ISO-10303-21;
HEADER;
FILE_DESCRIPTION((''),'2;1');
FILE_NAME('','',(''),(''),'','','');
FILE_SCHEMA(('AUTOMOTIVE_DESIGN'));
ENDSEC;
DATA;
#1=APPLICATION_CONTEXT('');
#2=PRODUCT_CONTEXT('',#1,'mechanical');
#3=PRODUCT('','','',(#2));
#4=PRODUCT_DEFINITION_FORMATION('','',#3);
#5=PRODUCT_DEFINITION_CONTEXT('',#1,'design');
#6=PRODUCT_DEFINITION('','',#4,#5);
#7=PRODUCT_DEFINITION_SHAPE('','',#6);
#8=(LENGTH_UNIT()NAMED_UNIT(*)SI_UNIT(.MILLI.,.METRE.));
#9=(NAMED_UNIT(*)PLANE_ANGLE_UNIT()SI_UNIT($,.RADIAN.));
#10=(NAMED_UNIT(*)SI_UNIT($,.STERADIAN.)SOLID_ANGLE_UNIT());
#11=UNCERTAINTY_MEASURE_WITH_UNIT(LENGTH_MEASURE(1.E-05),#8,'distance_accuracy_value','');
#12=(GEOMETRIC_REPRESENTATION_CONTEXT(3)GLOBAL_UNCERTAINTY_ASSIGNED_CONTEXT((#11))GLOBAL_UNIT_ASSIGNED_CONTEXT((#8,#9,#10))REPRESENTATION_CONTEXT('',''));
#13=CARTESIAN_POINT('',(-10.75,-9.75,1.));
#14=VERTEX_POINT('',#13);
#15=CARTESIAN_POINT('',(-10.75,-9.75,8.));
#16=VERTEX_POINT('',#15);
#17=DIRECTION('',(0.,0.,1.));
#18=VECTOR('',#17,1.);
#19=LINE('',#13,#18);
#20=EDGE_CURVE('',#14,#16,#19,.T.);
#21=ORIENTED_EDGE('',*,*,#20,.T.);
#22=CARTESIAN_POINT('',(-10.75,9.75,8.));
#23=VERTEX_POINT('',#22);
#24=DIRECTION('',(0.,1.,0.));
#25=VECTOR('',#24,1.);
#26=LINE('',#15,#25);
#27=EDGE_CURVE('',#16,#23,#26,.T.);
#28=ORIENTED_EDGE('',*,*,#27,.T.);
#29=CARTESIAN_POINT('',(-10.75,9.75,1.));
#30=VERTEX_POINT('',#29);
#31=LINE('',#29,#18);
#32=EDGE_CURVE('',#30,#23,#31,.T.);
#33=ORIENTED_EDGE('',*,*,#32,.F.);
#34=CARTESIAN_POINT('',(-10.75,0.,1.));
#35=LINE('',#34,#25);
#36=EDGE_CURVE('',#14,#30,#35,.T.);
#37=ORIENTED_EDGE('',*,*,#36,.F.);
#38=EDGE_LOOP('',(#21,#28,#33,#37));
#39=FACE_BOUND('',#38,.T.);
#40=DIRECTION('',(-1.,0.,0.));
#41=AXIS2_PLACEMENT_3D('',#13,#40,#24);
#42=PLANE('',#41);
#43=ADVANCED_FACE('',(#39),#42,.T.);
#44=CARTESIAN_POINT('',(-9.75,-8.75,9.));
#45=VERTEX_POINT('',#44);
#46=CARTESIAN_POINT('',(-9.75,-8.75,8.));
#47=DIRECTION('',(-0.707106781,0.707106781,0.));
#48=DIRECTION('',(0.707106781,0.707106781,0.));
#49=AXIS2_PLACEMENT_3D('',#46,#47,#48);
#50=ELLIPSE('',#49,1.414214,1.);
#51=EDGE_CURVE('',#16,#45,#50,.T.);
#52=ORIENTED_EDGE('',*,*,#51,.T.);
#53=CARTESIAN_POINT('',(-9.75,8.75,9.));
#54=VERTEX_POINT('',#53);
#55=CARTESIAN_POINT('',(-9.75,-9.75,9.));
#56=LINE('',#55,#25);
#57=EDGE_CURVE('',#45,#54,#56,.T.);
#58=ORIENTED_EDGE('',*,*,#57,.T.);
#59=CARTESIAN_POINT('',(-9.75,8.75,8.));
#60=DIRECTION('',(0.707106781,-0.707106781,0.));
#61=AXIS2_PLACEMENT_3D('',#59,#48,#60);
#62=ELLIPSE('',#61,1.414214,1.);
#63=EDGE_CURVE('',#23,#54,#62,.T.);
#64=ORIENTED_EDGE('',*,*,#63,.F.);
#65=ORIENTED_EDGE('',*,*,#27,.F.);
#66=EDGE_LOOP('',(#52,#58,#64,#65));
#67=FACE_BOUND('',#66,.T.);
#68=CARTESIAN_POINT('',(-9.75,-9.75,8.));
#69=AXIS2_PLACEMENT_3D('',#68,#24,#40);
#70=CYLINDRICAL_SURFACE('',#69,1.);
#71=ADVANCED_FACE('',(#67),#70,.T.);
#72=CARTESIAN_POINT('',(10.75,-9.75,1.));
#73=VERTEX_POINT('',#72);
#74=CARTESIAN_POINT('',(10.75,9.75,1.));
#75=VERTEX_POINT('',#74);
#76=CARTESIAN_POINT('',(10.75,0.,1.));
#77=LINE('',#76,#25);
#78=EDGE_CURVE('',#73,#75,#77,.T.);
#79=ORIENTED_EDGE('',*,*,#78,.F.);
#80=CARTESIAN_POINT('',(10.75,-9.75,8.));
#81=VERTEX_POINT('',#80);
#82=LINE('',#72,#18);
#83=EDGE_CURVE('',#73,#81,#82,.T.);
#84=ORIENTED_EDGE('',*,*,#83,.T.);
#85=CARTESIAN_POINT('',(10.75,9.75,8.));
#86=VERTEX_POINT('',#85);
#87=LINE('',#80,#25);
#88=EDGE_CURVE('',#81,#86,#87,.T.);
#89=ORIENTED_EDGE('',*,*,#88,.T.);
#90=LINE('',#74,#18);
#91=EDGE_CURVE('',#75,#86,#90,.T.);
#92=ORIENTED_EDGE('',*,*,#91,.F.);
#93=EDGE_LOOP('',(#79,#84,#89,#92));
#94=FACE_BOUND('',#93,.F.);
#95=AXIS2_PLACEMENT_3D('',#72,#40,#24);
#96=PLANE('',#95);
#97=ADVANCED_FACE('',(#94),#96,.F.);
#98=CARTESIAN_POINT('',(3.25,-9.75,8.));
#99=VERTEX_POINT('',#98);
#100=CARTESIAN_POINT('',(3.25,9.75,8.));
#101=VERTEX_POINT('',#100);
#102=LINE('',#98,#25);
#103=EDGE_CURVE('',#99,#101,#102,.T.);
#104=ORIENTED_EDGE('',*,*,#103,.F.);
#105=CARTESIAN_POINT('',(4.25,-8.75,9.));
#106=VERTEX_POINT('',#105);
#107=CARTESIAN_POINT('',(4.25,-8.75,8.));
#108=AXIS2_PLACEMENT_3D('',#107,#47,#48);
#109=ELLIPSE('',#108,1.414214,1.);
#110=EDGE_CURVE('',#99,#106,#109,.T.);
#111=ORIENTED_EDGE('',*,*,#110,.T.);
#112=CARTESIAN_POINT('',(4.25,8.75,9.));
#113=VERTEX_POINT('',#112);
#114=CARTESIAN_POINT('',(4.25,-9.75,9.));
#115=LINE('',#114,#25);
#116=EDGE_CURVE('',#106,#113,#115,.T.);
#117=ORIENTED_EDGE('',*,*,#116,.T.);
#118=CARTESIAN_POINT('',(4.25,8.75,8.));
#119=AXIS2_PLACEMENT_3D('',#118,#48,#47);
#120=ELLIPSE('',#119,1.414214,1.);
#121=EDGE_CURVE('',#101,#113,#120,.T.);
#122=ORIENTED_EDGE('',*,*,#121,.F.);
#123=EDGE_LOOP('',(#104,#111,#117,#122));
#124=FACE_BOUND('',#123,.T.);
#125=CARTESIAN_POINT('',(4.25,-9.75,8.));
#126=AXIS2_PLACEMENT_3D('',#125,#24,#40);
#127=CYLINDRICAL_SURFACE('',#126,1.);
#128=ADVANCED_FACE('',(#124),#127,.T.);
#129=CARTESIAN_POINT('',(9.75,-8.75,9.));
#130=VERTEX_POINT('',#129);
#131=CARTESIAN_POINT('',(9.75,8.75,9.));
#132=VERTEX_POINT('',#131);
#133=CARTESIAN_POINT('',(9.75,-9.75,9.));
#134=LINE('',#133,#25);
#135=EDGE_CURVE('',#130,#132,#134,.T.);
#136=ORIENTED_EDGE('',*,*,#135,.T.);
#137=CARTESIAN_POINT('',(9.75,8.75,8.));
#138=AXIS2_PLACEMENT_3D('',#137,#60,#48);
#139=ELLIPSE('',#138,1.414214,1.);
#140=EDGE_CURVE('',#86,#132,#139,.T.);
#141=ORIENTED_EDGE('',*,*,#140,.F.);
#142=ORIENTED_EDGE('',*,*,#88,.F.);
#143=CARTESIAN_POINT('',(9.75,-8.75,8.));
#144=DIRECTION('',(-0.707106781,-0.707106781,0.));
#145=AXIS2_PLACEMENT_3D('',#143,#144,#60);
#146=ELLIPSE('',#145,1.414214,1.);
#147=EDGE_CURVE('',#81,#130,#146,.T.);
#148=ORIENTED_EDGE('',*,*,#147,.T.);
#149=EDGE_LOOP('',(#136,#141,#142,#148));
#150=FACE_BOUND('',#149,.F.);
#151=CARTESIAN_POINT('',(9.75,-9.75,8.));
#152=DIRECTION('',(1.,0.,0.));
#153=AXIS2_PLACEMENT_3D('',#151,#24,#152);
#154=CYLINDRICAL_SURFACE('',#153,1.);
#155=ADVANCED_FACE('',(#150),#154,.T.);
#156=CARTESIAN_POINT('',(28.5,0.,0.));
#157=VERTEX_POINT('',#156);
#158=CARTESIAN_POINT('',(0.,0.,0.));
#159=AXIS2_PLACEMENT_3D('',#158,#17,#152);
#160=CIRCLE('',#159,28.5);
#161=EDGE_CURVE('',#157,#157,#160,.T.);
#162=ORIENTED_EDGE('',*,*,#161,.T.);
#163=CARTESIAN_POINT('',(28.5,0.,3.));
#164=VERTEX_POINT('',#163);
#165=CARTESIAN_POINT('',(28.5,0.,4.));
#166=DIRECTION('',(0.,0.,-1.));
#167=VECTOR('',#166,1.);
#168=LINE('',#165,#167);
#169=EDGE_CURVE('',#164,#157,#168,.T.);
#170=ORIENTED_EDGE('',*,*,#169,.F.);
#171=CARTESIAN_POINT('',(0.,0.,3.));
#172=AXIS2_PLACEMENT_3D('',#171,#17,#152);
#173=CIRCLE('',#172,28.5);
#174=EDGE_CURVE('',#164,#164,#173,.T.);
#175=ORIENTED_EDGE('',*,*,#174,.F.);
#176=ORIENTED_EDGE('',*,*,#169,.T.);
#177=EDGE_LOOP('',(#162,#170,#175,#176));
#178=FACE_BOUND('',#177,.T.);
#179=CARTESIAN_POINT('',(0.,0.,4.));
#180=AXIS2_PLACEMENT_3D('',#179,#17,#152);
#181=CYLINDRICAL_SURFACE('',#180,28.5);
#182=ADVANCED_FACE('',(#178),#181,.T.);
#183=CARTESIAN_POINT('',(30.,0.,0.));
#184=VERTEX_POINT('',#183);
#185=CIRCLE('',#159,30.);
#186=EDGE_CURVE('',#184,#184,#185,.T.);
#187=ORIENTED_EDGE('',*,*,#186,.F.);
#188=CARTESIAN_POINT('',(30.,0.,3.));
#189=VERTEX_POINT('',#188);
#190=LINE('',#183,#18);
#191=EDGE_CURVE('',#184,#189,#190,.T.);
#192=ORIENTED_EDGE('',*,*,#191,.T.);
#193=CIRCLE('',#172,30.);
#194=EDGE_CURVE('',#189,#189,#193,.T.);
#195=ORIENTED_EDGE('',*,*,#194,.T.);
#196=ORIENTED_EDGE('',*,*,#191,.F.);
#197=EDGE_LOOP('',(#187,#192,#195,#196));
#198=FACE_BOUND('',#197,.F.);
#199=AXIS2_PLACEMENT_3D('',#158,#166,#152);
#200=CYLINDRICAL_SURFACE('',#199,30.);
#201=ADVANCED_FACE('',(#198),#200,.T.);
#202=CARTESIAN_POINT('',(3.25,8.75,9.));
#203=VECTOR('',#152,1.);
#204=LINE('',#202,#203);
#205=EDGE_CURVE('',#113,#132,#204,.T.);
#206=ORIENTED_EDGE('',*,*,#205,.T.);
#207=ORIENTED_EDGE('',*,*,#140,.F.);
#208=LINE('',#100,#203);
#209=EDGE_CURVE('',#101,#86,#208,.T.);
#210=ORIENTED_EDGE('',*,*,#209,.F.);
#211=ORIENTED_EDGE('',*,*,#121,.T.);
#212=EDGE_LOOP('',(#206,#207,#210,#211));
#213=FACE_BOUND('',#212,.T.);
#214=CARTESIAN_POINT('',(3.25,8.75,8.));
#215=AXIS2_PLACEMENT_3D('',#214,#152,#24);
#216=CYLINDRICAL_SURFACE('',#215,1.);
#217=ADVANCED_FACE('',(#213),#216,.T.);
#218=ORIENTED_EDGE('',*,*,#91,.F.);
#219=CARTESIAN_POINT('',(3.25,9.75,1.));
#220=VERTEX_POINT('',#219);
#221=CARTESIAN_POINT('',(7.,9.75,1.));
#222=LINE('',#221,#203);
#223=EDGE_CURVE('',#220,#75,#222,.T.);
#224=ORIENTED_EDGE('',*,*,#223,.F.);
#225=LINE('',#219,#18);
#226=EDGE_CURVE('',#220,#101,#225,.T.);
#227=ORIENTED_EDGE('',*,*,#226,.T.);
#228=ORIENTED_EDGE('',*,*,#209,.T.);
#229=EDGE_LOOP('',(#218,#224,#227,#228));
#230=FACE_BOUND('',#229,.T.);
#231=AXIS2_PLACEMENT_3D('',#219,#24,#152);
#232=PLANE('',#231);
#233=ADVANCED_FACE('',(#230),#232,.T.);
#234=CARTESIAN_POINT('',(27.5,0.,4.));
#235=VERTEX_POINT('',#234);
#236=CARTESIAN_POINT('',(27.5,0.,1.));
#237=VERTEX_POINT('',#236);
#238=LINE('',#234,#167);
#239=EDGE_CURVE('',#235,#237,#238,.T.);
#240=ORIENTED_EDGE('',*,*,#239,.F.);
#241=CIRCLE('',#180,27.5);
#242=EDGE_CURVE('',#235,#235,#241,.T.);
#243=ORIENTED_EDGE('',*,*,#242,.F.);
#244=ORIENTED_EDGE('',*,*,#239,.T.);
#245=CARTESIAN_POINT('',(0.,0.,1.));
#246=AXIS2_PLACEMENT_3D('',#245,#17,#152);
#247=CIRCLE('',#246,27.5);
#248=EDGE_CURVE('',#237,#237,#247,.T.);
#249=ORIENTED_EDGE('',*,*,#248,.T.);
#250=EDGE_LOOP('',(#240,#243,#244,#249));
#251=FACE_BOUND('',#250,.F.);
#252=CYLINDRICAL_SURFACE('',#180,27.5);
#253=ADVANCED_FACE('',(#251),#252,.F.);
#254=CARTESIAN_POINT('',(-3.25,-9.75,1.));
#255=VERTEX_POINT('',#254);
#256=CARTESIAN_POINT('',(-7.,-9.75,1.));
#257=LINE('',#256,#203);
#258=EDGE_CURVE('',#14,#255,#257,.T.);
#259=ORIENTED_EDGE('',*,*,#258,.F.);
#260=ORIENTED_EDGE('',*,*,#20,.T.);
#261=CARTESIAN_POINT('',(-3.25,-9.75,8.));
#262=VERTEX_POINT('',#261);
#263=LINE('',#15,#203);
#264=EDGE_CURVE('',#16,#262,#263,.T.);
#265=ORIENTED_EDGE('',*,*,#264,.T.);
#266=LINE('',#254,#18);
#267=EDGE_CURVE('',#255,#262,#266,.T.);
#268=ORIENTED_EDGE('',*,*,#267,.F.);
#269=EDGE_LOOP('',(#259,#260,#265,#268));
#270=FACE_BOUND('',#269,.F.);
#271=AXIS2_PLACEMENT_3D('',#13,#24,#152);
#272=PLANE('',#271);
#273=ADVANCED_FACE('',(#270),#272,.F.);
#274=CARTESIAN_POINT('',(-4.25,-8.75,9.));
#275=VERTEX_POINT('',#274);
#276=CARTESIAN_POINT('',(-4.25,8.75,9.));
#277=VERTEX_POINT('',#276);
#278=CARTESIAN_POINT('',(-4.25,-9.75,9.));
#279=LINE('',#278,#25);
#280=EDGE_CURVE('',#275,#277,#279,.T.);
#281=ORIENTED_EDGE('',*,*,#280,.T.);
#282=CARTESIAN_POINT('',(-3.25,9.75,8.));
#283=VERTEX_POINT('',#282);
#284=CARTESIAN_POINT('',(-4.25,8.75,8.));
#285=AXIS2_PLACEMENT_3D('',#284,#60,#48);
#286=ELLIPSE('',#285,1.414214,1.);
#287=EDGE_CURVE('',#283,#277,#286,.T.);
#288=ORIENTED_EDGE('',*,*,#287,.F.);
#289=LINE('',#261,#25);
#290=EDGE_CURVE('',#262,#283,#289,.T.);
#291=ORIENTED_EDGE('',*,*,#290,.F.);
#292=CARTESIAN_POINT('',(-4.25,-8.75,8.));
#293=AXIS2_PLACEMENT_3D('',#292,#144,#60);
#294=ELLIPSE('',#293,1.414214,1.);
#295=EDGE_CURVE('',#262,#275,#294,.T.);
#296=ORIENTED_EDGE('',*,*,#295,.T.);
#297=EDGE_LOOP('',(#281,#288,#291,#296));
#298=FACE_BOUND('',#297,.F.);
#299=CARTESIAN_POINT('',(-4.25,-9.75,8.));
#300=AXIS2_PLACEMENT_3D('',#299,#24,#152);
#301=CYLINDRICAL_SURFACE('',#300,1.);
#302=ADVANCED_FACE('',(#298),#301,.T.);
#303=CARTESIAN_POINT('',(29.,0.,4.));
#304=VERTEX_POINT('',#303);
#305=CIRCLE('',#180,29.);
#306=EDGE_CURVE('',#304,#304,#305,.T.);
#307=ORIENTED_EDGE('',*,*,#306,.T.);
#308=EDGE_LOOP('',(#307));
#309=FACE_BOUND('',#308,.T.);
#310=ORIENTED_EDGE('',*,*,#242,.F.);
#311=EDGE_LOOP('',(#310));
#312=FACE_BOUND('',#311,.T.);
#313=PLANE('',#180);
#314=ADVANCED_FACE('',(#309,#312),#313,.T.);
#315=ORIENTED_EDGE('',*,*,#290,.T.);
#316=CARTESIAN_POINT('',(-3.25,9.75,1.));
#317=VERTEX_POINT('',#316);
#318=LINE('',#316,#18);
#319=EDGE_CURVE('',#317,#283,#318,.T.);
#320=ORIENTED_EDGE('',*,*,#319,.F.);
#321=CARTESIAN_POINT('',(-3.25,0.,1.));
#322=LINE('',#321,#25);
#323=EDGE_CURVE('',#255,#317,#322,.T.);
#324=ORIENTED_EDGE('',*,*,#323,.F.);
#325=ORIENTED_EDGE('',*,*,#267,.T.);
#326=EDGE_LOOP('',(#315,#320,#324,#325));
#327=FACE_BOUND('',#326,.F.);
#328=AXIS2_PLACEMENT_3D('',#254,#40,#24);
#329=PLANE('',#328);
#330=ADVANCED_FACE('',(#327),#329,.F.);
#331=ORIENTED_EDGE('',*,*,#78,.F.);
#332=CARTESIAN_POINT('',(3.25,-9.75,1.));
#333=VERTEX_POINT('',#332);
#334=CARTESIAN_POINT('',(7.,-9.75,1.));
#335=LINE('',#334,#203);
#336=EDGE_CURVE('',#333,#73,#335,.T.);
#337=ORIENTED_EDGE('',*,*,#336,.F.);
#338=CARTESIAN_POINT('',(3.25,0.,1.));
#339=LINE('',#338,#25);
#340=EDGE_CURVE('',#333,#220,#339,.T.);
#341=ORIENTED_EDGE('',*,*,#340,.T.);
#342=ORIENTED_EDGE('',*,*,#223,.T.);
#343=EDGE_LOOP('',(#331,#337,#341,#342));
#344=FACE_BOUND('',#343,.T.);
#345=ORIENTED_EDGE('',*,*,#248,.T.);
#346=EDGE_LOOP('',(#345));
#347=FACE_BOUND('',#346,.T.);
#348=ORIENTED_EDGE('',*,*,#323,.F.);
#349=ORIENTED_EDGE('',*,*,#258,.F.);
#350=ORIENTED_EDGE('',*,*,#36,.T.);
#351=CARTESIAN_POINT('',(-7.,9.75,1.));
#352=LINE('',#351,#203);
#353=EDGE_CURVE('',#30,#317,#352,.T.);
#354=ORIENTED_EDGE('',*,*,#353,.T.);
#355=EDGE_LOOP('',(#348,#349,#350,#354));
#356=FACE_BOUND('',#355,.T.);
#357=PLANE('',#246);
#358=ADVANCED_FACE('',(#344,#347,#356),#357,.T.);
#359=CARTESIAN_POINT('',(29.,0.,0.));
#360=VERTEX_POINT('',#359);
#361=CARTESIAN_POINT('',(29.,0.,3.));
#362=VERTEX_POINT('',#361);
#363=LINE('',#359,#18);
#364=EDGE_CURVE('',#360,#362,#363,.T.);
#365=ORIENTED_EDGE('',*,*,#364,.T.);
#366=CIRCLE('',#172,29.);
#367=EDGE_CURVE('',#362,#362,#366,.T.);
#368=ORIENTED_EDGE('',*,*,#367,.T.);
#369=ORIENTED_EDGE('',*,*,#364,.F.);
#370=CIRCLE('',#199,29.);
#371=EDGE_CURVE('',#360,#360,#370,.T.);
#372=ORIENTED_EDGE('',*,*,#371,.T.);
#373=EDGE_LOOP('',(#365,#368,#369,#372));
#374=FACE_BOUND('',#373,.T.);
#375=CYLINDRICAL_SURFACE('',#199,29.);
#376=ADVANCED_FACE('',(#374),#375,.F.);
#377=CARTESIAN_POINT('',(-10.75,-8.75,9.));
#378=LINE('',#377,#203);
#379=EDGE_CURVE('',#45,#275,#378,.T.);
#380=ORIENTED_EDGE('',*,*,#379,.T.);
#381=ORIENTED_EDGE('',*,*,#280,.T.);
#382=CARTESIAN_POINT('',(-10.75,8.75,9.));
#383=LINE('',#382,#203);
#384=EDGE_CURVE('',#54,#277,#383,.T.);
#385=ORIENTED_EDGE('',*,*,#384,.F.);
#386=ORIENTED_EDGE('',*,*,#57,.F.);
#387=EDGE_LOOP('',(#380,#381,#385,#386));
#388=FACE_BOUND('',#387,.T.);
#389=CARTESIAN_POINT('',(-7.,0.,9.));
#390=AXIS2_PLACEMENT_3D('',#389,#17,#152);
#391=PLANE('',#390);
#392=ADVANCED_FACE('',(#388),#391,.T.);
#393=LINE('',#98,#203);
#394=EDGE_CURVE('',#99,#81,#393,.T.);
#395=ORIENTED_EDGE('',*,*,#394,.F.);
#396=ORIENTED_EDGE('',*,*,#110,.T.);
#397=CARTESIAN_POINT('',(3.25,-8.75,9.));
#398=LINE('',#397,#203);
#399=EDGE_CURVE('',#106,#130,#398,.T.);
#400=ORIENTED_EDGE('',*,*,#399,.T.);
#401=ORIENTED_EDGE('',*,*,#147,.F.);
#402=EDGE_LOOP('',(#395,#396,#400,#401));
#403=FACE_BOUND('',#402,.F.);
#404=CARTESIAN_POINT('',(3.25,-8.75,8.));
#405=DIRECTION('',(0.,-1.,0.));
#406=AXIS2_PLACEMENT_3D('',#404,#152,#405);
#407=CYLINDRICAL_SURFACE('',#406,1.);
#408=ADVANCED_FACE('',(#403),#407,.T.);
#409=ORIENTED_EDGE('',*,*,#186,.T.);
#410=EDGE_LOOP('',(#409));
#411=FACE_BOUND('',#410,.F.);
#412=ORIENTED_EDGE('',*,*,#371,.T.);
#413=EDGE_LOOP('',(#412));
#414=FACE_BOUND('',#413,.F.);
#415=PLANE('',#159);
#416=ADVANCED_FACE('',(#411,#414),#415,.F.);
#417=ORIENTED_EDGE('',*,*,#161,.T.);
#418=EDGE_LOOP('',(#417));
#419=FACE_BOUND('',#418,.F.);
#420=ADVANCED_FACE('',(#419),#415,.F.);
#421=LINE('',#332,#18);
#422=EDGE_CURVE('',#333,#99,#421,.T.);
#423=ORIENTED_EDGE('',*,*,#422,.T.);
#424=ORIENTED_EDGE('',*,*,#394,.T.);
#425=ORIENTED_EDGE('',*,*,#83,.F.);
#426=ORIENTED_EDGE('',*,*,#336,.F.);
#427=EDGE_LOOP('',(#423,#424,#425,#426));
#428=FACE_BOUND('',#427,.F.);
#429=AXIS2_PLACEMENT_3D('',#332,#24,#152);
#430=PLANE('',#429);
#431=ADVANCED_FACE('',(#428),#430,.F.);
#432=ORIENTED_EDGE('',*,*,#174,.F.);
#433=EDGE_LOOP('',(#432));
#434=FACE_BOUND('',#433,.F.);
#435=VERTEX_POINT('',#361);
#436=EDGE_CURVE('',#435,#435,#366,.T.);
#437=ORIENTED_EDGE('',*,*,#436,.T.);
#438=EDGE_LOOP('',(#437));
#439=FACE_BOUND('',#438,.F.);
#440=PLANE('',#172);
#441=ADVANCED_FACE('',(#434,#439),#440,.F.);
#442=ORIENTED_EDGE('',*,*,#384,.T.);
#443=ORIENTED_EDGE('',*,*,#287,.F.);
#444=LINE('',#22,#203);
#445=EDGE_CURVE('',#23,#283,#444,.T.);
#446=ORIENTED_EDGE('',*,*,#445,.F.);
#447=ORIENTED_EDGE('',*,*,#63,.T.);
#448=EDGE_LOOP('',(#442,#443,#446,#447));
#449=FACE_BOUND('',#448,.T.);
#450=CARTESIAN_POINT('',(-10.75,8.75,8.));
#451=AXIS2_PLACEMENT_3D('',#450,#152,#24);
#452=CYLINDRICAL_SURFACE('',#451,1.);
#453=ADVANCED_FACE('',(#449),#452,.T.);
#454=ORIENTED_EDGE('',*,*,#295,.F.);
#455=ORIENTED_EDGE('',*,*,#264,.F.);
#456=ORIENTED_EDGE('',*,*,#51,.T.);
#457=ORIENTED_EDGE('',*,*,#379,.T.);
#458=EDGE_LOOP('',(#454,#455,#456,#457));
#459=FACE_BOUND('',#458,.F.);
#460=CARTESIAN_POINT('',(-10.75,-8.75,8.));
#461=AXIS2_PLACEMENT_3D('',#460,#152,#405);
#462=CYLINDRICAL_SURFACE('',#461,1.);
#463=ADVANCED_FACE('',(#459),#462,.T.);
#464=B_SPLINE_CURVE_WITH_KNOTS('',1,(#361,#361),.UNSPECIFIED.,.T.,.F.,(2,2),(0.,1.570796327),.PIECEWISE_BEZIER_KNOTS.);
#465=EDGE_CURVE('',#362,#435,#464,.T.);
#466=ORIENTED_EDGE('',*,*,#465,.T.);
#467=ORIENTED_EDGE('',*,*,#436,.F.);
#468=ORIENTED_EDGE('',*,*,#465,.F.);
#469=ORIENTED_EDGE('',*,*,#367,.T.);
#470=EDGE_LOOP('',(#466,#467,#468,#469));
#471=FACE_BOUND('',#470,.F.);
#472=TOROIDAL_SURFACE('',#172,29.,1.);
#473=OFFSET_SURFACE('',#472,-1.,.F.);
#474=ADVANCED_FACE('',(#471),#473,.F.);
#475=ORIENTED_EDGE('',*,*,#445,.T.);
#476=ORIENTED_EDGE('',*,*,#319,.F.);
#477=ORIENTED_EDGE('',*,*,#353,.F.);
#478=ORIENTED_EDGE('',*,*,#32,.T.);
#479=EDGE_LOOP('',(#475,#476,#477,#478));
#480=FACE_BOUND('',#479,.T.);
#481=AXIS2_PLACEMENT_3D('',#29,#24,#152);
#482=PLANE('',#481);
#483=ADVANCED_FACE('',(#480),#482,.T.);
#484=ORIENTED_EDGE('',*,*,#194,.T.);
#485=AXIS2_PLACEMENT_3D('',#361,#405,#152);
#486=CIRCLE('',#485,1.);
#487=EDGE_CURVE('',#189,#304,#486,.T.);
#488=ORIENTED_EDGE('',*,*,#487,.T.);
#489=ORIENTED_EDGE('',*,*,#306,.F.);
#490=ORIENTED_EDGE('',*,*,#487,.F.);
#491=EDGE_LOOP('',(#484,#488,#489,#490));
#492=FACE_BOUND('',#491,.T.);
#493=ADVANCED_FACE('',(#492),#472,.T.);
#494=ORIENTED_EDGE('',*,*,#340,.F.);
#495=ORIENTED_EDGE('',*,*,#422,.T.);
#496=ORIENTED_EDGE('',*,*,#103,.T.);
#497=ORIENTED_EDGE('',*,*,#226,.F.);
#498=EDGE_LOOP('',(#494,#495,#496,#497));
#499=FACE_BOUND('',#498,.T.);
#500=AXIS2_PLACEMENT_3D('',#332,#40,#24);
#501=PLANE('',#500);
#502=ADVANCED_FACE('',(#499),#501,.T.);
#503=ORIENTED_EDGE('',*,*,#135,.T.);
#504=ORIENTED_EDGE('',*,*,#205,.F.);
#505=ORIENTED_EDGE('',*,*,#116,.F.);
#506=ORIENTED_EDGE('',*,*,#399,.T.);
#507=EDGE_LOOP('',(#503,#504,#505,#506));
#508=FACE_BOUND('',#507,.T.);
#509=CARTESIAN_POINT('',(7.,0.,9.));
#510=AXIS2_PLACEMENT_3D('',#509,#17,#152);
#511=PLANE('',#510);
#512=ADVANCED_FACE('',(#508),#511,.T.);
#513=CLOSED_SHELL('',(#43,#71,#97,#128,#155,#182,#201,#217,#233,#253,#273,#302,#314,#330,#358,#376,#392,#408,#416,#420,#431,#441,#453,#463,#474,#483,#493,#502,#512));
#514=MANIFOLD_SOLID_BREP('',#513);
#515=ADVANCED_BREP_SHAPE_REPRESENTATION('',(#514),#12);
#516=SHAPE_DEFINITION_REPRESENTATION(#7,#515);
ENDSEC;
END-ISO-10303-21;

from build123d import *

# Parameters (mm, degrees)
F0_R     = 30
F1_DEPTH = 4
F2_R     = 27.5
F3_DEPTH = 3
F4_R     = 1
F5_T     = -1
F6_W     = 7.5
F6_H     = 19.5
F7_DEPTH = 8
F8_R     = 1


with BuildPart() as f1:
    # F0 (on Top) → F1 (new body)
    with BuildSketch(Plane.XY):
        Circle(F0_R)
    extrude(amount=F1_DEPTH)

    # F2 (on face) → F3 (cut)
    with BuildSketch(Plane.XY.offset(4)):
        Circle(F2_R)
    extrude(amount=-F3_DEPTH, mode=Mode.SUBTRACT)

    # F4
    f4_edges = [f1.edges().sort_by_distance(p)[0] for p in [
        (-30, 0, 4),
    ]]
    fillet(f4_edges, radius=F4_R)

    # F5
    f5_openings = [f1.faces().sort_by_distance(p)[0] for p in [
        (0, 0, 0),
    ]]
    offset(amount=F5_T, openings=f5_openings, kind=Kind.INTERSECTION)

    # F6 (on face) → F7 (join)
    with BuildSketch(Plane.XY.offset(1)):
        with Locations((7, 0)):
            Rectangle(F6_W, F6_H)
        with Locations((-7, 0)):
            Rectangle(F6_W, F6_H)
    extrude(amount=F7_DEPTH)

    # F8
    f8_edges = [f1.edges().sort_by_distance(p)[0] for p in [
        (3.25, 0, 9),
        (7, -9.75, 9),
        (10.75, 0, 9),
        (7, 9.75, 9),
        (-7, -9.75, 9),
        (-3.25, 0, 9),
        (-7, 9.75, 9),
        (-10.75, 0, 9),
    ]]
    fillet(f8_edges, radius=F8_R)


solid = f1.part
